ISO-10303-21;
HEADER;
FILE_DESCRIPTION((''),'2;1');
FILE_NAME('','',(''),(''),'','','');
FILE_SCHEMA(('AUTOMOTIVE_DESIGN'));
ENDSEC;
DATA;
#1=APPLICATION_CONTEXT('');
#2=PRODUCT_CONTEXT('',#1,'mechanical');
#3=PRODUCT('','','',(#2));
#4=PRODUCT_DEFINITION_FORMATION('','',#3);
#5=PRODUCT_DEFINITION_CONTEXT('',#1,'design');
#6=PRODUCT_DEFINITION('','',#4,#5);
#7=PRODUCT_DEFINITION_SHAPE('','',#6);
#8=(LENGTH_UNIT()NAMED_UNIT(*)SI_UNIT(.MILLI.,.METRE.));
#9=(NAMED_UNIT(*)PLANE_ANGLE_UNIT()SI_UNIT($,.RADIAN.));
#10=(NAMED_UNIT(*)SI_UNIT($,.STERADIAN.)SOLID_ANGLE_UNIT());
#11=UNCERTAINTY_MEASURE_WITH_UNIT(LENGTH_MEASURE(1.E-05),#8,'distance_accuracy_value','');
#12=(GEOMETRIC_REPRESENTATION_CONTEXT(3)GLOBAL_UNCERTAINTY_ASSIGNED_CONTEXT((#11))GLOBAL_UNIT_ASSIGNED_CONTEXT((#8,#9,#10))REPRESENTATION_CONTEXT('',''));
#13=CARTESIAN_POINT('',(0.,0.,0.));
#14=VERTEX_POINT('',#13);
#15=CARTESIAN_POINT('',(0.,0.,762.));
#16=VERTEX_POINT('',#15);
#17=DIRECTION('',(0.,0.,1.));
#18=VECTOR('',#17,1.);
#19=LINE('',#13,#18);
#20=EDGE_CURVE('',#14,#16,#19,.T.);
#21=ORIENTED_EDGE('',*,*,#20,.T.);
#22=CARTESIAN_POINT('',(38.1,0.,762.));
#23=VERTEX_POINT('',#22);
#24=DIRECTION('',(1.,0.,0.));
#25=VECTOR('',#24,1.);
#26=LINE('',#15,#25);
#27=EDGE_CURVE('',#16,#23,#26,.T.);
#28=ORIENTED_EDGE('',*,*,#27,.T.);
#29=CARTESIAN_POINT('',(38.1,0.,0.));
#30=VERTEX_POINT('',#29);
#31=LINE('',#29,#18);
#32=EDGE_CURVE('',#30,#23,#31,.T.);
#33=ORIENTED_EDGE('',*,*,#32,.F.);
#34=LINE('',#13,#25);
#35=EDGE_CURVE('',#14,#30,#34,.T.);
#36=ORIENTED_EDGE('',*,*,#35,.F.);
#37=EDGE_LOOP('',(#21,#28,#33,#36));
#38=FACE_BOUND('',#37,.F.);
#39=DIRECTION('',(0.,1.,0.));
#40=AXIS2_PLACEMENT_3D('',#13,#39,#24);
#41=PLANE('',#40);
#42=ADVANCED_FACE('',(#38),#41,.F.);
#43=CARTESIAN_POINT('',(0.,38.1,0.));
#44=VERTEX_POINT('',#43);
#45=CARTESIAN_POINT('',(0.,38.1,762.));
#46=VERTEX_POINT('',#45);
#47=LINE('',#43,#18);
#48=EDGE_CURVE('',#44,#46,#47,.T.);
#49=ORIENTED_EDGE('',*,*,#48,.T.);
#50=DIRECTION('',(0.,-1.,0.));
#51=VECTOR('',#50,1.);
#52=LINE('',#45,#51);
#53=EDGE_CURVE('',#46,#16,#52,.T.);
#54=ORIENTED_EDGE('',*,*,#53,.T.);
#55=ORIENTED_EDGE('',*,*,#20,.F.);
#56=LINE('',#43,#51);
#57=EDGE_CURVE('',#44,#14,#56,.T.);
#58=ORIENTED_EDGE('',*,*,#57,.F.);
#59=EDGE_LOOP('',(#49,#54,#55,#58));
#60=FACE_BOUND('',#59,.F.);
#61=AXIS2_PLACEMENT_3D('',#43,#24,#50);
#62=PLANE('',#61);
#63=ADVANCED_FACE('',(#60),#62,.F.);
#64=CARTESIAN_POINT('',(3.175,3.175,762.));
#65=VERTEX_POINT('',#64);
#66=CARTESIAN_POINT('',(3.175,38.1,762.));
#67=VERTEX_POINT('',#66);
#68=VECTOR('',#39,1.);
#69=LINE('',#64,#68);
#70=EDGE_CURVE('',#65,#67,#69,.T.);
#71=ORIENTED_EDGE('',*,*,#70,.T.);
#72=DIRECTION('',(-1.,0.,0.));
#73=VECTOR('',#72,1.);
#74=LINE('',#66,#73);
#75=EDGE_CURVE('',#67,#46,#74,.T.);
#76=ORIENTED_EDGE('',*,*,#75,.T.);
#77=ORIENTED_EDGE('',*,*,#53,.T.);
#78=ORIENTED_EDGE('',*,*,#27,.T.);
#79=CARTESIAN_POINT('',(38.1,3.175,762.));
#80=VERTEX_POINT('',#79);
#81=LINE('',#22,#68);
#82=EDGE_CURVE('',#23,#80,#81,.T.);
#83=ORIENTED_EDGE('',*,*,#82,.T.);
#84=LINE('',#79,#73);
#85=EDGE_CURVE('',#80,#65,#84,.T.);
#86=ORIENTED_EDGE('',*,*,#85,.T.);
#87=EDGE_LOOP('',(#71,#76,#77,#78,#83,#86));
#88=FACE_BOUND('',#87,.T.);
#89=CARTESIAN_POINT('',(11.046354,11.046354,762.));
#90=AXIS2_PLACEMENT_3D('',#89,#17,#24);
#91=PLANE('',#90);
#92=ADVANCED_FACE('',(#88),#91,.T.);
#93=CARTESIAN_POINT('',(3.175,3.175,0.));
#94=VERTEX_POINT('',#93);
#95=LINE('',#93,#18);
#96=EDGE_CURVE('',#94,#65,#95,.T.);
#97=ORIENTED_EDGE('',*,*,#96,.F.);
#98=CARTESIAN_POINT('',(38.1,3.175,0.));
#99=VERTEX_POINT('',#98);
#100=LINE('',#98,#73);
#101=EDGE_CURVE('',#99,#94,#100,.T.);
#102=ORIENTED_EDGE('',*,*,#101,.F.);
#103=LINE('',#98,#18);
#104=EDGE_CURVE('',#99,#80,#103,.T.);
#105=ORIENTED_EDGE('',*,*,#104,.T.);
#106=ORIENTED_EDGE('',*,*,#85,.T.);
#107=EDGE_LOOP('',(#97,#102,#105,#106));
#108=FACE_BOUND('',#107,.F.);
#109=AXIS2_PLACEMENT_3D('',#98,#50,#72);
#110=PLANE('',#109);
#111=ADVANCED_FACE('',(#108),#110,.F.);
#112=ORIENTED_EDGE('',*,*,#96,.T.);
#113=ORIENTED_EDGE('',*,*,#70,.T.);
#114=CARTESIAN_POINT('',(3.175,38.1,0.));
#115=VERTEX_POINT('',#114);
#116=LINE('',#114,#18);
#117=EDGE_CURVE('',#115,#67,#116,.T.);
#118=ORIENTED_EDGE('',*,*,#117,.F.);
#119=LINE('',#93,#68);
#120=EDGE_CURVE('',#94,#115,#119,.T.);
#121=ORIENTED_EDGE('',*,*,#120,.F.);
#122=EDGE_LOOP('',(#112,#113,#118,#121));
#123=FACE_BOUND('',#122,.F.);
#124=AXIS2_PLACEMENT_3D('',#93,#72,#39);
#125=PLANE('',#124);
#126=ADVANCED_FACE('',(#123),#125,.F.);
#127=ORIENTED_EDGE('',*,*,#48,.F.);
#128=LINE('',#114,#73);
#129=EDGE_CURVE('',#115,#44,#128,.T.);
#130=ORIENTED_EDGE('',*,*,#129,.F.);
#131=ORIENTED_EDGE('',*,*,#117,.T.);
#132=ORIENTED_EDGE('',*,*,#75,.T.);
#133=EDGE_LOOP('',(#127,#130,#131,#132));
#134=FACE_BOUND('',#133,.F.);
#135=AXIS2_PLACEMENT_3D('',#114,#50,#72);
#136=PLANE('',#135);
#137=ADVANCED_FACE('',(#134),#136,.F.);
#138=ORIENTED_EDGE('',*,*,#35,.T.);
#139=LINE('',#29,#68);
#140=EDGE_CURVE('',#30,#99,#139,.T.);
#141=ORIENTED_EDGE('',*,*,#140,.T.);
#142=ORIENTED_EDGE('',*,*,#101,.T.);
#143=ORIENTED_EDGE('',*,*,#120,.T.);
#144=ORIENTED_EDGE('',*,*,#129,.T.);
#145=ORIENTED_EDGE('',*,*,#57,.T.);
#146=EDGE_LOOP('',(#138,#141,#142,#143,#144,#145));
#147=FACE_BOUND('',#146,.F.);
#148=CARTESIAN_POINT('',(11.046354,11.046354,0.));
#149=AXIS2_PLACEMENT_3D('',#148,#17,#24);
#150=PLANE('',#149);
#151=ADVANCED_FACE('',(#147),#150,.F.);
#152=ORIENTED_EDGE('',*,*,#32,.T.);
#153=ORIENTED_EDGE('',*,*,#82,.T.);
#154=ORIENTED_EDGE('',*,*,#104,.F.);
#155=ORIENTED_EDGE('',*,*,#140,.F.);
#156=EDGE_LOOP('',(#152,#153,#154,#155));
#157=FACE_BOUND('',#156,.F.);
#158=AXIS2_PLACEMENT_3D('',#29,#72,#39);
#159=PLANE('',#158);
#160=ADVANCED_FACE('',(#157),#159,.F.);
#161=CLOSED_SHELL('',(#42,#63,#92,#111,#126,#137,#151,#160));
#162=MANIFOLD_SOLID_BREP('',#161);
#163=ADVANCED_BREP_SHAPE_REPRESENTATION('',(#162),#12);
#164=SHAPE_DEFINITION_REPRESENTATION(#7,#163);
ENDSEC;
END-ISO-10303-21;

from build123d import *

# Parameters (mm, degrees)
PAD_DEPTH = 762


with BuildPart() as part:
    # Sketch → Pad (new body)
    with BuildSketch(Plane.XY):
        Polygon((0, 0), (38.1, 0), (38.1, 3.175), (3.175, 3.175), (3.175, 38.1), (0, 38.1), align=None)
    extrude(amount=PAD_DEPTH)


solid = part.part
